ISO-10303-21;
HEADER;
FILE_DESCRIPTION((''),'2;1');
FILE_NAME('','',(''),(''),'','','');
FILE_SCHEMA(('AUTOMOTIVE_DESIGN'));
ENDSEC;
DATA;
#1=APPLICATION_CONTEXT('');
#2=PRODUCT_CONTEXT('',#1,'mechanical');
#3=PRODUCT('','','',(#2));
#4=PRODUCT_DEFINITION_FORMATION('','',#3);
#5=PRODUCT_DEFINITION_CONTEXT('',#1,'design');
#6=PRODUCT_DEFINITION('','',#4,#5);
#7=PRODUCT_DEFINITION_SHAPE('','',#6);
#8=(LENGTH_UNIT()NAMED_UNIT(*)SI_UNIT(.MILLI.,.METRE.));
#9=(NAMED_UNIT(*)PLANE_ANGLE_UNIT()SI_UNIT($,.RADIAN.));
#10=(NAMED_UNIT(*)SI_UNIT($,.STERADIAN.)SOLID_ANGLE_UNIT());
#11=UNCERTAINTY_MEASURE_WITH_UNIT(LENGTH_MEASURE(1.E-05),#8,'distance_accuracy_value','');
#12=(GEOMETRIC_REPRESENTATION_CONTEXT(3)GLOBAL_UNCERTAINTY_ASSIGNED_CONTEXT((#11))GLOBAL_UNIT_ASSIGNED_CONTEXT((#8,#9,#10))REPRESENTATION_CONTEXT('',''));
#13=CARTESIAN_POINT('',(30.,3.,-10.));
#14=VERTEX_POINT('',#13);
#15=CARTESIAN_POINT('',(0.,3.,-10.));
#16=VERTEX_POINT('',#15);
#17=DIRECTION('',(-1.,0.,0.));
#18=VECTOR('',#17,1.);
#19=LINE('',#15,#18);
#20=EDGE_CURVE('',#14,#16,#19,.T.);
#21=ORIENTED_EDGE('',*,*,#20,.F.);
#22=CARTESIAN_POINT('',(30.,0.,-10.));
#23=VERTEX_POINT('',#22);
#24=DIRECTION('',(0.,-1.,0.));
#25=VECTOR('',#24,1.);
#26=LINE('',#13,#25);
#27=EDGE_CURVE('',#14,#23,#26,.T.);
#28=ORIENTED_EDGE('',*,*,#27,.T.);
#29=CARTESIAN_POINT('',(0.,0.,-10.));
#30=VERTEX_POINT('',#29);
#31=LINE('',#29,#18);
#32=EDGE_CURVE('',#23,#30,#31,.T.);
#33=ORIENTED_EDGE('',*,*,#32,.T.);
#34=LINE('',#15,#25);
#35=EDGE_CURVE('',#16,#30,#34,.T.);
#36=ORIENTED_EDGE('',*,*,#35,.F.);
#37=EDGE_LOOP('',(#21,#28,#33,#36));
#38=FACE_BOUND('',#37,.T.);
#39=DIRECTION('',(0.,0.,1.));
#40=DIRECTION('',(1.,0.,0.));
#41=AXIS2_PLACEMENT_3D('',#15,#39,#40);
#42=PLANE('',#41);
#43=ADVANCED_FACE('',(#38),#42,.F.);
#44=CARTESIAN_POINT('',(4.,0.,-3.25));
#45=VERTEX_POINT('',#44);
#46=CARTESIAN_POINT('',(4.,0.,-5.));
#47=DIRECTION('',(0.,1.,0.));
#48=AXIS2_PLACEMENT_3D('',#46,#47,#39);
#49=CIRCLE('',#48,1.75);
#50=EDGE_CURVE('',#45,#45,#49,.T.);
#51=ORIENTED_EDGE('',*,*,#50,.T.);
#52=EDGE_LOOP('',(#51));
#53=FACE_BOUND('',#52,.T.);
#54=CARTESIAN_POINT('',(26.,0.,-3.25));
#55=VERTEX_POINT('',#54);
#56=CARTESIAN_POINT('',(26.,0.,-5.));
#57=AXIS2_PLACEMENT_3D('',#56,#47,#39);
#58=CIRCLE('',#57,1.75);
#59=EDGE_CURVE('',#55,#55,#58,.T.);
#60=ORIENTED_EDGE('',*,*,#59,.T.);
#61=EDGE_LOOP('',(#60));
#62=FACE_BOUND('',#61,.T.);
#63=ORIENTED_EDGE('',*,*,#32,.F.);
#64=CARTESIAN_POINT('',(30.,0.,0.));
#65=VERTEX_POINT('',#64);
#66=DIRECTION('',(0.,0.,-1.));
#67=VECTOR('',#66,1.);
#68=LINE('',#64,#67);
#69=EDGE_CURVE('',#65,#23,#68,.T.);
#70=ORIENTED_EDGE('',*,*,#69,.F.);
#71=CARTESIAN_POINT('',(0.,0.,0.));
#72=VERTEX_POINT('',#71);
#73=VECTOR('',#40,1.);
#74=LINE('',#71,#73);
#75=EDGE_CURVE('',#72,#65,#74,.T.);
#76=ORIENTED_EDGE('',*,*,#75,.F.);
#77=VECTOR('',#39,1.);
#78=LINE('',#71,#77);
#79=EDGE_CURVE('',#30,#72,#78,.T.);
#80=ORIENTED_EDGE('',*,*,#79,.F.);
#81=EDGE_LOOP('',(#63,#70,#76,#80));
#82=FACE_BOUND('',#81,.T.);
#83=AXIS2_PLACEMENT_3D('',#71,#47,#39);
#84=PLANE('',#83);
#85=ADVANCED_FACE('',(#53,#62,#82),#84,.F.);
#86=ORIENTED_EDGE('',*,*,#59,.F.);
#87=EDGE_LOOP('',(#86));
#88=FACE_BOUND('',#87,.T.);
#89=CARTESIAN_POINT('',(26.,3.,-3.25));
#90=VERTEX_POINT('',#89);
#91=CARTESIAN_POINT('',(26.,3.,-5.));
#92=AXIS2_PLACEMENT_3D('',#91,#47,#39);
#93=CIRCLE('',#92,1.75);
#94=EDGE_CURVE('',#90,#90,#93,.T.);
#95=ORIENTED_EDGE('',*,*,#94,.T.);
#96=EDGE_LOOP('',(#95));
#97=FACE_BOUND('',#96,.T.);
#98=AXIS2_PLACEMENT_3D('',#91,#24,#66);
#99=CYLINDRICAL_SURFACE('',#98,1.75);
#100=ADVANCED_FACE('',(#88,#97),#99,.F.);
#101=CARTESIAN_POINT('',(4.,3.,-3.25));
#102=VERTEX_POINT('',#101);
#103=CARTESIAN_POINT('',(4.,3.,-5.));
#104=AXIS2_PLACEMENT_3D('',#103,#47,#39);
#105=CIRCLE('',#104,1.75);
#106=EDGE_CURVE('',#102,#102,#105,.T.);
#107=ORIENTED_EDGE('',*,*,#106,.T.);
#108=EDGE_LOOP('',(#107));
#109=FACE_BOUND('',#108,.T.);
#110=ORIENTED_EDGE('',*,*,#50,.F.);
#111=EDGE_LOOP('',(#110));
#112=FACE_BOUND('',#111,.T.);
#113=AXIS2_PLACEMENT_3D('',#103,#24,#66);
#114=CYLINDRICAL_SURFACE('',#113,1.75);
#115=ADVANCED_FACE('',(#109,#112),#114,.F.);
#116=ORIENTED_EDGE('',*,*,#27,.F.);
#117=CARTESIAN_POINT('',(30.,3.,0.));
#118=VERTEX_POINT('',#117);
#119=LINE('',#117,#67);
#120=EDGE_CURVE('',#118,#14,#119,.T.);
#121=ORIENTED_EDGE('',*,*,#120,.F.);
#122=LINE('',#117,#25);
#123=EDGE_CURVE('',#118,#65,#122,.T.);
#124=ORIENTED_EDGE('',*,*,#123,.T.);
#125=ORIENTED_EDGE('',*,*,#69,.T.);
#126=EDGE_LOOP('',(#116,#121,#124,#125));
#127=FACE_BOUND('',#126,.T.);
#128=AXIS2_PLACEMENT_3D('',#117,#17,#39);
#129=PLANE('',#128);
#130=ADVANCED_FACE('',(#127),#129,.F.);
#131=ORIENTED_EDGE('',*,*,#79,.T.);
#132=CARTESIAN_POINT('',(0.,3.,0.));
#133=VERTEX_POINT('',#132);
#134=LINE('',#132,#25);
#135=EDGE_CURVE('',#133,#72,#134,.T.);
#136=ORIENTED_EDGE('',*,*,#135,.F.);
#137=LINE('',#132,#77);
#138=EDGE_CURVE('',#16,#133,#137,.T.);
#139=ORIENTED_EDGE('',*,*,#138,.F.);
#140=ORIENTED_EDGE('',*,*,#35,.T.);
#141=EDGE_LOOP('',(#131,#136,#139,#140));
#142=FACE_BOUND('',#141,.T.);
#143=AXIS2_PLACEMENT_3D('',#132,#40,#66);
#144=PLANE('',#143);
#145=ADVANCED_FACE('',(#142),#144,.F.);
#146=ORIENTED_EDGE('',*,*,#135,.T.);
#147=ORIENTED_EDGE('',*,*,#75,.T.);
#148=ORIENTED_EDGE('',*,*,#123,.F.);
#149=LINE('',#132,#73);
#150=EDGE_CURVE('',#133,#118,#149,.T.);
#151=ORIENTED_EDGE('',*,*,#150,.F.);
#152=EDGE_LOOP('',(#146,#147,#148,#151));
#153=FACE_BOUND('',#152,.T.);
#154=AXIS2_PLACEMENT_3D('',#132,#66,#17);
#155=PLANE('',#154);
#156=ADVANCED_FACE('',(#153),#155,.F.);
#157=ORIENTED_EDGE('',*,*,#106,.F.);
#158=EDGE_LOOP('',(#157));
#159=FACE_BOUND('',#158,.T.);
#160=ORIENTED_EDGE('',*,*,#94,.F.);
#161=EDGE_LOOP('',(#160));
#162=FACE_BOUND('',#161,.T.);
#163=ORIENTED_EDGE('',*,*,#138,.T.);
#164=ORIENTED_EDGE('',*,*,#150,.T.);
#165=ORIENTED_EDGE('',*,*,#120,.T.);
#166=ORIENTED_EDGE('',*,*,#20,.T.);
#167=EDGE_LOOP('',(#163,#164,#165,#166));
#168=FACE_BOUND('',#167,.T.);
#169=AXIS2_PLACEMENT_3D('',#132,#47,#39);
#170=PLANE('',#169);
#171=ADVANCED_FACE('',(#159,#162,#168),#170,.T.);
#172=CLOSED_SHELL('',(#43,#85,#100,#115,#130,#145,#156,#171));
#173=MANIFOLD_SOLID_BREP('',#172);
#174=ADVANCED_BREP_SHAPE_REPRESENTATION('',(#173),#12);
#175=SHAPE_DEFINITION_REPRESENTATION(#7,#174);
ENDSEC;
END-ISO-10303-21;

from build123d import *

# Parameters (mm, degrees)
SKETCH1_W           = 30
SKETCH1_H           = 10
SKETCH1_R           = 1.75
BOSS_EXTRUDE1_DEPTH = 3


with BuildPart() as part:
    # Sketch1 → Boss-Extrude1 (new body)
    with BuildSketch(Plane(origin=(0, 0, 0), x_dir=(1, 0, 0), z_dir=(0, 1, 0))):
        with Locations((15, 5)):
            Rectangle(SKETCH1_W, SKETCH1_H)
        with Locations((4, 5)):
            Circle(SKETCH1_R, mode=Mode.SUBTRACT)
        with Locations((26, 5)):
            Circle(SKETCH1_R, mode=Mode.SUBTRACT)
    extrude(amount=BOSS_EXTRUDE1_DEPTH)


solid = part.part
